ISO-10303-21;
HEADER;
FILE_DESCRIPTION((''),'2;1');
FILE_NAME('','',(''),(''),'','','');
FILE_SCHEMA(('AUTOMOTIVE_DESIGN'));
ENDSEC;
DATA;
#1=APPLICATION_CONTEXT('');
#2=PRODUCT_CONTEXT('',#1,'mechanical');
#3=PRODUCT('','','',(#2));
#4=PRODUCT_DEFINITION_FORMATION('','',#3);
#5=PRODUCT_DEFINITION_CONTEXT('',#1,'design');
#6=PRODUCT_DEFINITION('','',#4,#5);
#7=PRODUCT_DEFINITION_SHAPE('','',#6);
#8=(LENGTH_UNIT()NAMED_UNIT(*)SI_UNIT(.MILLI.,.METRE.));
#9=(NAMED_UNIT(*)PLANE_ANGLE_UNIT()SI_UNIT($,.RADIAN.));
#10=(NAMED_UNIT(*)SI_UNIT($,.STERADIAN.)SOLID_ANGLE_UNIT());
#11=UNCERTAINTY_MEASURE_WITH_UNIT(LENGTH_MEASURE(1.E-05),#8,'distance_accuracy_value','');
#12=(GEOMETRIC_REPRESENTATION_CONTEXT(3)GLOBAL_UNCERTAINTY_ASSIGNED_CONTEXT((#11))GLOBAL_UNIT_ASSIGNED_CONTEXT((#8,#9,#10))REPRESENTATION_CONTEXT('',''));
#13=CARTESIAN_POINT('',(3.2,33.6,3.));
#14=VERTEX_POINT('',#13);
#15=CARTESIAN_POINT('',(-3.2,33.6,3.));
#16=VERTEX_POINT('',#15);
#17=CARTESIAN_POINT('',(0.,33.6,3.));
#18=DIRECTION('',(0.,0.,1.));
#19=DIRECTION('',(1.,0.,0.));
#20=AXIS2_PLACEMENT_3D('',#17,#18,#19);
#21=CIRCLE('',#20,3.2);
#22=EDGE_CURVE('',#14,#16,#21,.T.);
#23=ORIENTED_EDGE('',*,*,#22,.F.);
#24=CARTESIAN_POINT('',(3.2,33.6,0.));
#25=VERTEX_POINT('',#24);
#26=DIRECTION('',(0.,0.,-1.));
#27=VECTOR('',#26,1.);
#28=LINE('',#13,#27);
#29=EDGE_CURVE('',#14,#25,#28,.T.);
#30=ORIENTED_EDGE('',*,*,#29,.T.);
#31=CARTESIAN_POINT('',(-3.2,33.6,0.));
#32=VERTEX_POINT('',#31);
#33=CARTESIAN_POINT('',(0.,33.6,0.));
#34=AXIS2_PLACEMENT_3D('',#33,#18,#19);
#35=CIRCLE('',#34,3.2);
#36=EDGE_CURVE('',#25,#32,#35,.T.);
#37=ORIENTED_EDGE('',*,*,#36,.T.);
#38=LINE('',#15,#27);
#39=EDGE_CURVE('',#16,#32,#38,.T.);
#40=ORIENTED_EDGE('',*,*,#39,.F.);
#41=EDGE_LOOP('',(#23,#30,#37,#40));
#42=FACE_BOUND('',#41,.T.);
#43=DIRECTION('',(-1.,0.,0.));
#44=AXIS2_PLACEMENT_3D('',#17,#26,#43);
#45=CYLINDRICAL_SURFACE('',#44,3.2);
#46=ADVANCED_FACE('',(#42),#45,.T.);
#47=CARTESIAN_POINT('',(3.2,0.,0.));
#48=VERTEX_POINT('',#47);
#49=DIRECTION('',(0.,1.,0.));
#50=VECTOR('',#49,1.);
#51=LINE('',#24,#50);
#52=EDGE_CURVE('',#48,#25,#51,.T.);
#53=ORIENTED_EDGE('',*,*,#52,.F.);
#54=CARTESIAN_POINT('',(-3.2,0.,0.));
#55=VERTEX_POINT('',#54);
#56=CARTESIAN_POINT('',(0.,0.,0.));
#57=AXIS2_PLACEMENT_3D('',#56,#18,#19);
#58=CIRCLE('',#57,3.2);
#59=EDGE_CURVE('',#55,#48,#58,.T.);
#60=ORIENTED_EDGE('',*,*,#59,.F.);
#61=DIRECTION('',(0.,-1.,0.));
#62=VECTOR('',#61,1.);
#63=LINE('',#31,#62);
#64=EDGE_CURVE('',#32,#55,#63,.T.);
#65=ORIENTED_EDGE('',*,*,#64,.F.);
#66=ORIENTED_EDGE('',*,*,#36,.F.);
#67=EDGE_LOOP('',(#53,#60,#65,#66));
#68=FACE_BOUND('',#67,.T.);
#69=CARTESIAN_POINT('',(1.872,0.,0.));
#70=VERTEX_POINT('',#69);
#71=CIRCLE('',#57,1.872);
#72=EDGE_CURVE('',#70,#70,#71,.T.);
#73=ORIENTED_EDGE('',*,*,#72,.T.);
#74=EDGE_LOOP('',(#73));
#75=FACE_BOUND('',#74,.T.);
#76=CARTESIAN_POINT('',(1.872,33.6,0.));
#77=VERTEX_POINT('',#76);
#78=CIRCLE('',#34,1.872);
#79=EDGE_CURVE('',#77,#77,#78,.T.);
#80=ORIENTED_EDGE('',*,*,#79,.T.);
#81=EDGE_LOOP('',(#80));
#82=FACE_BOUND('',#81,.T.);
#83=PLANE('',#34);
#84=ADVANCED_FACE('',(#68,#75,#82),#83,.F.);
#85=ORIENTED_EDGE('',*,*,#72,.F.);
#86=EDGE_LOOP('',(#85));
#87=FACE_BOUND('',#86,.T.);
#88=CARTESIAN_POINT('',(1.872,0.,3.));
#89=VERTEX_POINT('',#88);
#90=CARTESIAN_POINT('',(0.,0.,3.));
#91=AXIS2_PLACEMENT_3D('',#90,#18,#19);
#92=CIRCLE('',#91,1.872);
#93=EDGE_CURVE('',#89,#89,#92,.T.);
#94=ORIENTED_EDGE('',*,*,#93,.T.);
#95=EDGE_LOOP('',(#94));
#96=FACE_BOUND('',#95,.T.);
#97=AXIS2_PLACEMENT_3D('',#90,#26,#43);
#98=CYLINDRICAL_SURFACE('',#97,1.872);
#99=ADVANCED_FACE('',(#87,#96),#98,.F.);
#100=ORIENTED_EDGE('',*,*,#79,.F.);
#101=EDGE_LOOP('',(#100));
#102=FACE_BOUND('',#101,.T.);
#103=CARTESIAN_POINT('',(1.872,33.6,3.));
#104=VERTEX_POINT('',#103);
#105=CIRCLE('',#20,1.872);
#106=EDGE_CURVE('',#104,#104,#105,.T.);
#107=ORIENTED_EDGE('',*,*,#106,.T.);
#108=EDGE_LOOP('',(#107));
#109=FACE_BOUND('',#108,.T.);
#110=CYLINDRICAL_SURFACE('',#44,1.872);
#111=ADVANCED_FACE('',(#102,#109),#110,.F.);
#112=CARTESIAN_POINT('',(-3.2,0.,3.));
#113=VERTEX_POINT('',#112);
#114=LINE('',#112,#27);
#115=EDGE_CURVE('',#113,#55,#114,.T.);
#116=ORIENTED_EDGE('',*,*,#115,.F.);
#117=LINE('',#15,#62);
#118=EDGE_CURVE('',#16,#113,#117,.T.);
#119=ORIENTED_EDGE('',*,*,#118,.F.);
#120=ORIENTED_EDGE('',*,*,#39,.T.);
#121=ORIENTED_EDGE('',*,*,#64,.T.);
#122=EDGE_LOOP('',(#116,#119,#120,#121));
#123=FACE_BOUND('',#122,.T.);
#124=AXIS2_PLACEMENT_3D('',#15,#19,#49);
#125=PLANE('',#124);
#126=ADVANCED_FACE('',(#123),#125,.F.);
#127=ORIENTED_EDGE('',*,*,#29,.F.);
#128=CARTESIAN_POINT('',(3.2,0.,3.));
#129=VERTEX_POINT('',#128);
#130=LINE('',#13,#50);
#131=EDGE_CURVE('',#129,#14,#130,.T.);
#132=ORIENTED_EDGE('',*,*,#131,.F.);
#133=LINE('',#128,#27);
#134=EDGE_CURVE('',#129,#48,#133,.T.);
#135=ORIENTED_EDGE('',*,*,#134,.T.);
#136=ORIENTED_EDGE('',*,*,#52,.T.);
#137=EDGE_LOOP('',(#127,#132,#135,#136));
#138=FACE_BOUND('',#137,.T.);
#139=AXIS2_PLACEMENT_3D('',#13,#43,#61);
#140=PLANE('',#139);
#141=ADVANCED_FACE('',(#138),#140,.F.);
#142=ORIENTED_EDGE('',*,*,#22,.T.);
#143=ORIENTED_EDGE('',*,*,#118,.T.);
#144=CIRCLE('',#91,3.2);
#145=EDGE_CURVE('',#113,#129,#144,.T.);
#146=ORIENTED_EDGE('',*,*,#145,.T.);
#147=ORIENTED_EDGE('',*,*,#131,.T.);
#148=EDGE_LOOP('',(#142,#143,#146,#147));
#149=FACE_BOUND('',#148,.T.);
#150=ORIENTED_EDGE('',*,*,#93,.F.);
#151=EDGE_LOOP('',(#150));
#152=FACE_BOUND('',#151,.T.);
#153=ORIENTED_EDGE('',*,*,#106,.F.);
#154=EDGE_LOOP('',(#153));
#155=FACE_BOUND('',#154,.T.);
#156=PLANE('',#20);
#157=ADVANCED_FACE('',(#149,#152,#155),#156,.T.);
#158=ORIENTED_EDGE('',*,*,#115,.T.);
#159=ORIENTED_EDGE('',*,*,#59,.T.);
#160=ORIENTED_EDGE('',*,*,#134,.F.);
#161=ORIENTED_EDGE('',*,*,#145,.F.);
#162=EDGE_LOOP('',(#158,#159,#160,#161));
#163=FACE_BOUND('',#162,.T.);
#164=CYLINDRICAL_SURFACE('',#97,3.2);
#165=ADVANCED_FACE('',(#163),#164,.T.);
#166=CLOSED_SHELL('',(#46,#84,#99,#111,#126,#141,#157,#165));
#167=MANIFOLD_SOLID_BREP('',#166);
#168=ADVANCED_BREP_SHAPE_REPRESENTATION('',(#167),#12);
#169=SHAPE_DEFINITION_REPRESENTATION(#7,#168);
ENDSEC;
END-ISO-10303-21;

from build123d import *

# Parameters (mm, degrees)
SKETCH1_R           = 1.872
BOSS_EXTRUDE1_DEPTH = 3


with BuildPart() as part:
    # Sketch1 → Boss-Extrude1 (new body)
    with BuildSketch(Plane.XY):
        with BuildLine():
            Line((-3.2, 33.6), (-3.2, 0))
            ThreePointArc((-3.2, 0), (0, -3.2), (3.2, 0))
            Line((3.2, 0), (3.2, 33.6))
            ThreePointArc((3.2, 33.6), (0, 36.8), (-3.2, 33.6))
        make_face()
        Circle(SKETCH1_R, mode=Mode.SUBTRACT)
        with Locations((0, 33.6)):
            Circle(SKETCH1_R, mode=Mode.SUBTRACT)
    extrude(amount=BOSS_EXTRUDE1_DEPTH)


solid = part.part
